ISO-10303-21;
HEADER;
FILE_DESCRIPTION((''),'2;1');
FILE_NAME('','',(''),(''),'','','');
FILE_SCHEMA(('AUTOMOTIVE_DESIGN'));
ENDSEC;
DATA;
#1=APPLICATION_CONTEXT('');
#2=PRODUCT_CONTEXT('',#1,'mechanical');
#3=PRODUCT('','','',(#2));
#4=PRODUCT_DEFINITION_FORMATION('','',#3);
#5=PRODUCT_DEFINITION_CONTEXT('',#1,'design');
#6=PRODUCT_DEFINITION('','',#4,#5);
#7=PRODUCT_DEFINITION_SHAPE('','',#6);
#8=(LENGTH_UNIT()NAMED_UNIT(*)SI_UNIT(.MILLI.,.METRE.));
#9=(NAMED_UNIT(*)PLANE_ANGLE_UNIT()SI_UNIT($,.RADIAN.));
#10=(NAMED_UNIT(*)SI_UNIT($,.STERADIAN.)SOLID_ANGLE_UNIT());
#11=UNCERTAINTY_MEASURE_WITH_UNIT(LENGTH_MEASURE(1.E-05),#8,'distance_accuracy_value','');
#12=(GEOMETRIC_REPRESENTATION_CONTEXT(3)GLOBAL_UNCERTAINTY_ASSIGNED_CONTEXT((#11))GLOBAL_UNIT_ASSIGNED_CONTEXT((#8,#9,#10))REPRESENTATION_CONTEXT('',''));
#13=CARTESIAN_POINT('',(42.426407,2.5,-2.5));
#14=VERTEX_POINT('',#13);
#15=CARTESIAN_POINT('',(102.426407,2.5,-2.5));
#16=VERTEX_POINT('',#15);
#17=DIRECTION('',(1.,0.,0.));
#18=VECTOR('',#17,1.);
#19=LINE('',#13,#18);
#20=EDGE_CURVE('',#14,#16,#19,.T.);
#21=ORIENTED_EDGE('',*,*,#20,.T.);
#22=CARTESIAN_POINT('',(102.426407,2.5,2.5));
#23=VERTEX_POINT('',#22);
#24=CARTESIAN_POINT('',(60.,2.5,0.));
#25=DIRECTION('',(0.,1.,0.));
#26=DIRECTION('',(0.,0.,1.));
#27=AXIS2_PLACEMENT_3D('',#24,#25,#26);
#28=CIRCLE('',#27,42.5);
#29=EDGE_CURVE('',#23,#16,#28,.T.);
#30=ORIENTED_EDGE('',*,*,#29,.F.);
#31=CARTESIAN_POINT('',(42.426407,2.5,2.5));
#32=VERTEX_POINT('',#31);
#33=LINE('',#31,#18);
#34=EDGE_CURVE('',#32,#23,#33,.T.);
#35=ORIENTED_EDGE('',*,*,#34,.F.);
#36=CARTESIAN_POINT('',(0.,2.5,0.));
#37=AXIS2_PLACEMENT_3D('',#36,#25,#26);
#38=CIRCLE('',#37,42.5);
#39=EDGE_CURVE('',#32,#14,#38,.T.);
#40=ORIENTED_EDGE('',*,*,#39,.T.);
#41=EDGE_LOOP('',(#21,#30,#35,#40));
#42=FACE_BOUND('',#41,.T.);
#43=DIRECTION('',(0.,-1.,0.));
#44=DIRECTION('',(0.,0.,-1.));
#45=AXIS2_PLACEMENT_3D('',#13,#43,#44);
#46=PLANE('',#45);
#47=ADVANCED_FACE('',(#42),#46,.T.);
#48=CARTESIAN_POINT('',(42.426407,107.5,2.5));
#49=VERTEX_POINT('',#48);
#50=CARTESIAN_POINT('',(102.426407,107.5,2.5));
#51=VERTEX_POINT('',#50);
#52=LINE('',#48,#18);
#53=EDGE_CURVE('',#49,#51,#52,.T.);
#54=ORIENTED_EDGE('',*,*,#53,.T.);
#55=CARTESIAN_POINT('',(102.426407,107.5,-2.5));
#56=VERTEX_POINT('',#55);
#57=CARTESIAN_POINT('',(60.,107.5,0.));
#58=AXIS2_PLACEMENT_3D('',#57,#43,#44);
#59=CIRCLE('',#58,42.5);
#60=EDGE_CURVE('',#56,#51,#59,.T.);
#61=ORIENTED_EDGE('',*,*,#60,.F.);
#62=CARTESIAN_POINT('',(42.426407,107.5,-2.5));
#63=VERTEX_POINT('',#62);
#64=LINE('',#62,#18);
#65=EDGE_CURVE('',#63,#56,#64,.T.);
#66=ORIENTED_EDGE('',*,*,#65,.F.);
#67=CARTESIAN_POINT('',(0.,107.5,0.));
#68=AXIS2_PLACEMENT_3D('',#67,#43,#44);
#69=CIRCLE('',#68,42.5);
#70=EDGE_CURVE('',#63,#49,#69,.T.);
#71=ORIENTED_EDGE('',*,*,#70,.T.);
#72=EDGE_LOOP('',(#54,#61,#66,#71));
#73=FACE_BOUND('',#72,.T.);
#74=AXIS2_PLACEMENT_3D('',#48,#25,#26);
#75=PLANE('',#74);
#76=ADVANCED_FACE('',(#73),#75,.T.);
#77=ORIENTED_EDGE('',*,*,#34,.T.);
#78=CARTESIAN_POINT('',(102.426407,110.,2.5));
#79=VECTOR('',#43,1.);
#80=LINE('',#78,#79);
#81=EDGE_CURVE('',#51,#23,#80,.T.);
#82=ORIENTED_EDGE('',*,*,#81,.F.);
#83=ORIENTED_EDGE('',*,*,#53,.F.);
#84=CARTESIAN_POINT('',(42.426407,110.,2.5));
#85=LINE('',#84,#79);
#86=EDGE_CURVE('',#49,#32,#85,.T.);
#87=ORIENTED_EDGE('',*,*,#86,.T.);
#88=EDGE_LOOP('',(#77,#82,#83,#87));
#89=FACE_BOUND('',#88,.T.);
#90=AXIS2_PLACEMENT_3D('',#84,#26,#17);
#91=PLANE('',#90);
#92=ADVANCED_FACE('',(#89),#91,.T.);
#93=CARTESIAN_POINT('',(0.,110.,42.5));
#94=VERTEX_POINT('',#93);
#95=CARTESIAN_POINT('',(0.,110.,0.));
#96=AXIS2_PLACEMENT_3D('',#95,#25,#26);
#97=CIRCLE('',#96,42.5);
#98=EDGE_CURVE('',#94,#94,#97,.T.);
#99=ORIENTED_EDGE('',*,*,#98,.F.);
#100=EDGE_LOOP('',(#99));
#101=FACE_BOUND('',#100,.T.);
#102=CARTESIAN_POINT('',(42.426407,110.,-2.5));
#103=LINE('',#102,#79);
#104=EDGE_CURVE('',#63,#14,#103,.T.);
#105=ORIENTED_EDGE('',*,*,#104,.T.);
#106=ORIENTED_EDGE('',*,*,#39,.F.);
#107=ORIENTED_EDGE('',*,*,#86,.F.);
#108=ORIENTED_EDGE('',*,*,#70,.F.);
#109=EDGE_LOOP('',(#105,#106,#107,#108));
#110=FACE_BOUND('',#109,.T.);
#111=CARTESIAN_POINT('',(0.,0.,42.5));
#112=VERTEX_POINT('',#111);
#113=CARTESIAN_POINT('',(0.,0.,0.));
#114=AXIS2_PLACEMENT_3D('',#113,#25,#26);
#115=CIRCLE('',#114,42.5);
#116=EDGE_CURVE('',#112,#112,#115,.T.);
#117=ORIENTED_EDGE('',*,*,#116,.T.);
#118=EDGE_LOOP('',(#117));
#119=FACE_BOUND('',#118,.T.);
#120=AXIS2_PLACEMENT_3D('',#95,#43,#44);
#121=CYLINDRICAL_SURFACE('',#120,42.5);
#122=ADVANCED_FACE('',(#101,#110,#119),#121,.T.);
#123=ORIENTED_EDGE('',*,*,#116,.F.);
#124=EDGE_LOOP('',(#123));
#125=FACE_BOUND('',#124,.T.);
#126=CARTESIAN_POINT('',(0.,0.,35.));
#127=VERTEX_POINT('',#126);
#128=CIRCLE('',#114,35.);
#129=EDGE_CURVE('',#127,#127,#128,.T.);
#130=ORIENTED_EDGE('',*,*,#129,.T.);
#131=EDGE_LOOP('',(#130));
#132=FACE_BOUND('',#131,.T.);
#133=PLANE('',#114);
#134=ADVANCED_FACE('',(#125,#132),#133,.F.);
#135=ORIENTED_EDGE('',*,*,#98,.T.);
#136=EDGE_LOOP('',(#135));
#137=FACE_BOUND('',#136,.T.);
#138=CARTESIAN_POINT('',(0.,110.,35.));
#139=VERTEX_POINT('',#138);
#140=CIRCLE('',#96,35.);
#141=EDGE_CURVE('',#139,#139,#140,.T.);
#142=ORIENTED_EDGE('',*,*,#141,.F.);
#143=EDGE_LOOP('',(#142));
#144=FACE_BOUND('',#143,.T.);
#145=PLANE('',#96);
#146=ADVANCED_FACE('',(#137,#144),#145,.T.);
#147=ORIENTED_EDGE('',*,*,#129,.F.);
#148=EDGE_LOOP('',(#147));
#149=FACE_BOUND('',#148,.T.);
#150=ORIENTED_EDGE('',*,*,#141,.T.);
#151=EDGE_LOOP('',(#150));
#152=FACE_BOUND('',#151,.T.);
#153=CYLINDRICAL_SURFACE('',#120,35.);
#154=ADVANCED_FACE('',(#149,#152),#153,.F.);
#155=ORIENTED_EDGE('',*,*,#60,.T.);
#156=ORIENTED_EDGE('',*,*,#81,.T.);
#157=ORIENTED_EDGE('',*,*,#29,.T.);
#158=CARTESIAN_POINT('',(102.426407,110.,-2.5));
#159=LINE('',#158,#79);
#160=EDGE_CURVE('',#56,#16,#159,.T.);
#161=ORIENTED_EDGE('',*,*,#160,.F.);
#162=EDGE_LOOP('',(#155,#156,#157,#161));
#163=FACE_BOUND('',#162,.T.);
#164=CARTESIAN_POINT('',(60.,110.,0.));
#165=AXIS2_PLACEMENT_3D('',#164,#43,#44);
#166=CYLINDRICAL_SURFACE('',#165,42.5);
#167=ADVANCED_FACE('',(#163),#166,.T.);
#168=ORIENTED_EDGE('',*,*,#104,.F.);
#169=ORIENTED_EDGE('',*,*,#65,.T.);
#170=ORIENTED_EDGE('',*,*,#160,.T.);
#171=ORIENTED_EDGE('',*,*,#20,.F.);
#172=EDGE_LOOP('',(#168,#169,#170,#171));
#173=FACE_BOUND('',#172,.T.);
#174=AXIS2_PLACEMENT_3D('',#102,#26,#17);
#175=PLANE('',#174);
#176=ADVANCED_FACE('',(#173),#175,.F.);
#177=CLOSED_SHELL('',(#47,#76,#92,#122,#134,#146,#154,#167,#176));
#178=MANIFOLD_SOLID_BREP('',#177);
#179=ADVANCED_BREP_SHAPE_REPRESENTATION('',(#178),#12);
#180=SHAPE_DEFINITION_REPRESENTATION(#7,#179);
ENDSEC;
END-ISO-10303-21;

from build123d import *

# Parameters (mm, degrees)
SKETCH1_R                  = 42.5
SKETCH1_R_2                = 35
BOSS_EXTRUDE1_DEPTH        = 110
BOSS_EXTRUDE2_REACH        = 187.35
BOSS_EXTRUDE2_START_RADIUS = 42.5
BOSS_EXTRUDE2_END_RADIUS   = 42.5
SKETCH2_W                  = 5
SKETCH2_H                  = 105


with BuildPart() as part:
    # Sketch1 → Boss-Extrude1 (new body)
    with BuildSketch(Plane(origin=(0, 0, 0), x_dir=(1, 0, 0), z_dir=(0, 1, 0))):
        with Locations(Location((0, 0, 0), (0, 0, 270))):
            Circle(SKETCH1_R)
        with Locations(Location((0, 0, 0), (0, 0, 270))):
            Circle(SKETCH1_R_2, mode=Mode.SUBTRACT)
    extrude(amount=BOSS_EXTRUDE1_DEPTH)

    # Boss-Extrude2: from a cylinder face, 187.35 long prism both ways, kept between that surface and its translate by the depth
    boss_extrude2_start = Plane(origin=(0, 55, 0), z_dir=(0, -1, 0)) * Cylinder(BOSS_EXTRUDE2_START_RADIUS, 460.7, mode=Mode.PRIVATE)
    boss_extrude2_end = Plane(origin=(60, 55, 0), z_dir=(0, -1, 0)) * Cylinder(BOSS_EXTRUDE2_END_RADIUS, 460.7, mode=Mode.PRIVATE)
    # Sketch2 → Boss-Extrude2 (add, from a surface)
    with BuildSketch(Plane(origin=(0, 0, 0), x_dir=(0, 0, -1), z_dir=(1, 0, 0)), mode=Mode.PRIVATE) as boss_extrude2_sk1:
        with Locations((0, 55)):
            Rectangle(SKETCH2_W, SKETCH2_H)
    boss_extrude2_tool1 = extrude(boss_extrude2_sk1.sketch, amount=BOSS_EXTRUDE2_REACH, both=True, mode=Mode.PRIVATE)
    add(((boss_extrude2_tool1 - boss_extrude2_start) & boss_extrude2_end).solids().sort_by_distance((72.426407, 55, 0))[0])


solid = part.part
